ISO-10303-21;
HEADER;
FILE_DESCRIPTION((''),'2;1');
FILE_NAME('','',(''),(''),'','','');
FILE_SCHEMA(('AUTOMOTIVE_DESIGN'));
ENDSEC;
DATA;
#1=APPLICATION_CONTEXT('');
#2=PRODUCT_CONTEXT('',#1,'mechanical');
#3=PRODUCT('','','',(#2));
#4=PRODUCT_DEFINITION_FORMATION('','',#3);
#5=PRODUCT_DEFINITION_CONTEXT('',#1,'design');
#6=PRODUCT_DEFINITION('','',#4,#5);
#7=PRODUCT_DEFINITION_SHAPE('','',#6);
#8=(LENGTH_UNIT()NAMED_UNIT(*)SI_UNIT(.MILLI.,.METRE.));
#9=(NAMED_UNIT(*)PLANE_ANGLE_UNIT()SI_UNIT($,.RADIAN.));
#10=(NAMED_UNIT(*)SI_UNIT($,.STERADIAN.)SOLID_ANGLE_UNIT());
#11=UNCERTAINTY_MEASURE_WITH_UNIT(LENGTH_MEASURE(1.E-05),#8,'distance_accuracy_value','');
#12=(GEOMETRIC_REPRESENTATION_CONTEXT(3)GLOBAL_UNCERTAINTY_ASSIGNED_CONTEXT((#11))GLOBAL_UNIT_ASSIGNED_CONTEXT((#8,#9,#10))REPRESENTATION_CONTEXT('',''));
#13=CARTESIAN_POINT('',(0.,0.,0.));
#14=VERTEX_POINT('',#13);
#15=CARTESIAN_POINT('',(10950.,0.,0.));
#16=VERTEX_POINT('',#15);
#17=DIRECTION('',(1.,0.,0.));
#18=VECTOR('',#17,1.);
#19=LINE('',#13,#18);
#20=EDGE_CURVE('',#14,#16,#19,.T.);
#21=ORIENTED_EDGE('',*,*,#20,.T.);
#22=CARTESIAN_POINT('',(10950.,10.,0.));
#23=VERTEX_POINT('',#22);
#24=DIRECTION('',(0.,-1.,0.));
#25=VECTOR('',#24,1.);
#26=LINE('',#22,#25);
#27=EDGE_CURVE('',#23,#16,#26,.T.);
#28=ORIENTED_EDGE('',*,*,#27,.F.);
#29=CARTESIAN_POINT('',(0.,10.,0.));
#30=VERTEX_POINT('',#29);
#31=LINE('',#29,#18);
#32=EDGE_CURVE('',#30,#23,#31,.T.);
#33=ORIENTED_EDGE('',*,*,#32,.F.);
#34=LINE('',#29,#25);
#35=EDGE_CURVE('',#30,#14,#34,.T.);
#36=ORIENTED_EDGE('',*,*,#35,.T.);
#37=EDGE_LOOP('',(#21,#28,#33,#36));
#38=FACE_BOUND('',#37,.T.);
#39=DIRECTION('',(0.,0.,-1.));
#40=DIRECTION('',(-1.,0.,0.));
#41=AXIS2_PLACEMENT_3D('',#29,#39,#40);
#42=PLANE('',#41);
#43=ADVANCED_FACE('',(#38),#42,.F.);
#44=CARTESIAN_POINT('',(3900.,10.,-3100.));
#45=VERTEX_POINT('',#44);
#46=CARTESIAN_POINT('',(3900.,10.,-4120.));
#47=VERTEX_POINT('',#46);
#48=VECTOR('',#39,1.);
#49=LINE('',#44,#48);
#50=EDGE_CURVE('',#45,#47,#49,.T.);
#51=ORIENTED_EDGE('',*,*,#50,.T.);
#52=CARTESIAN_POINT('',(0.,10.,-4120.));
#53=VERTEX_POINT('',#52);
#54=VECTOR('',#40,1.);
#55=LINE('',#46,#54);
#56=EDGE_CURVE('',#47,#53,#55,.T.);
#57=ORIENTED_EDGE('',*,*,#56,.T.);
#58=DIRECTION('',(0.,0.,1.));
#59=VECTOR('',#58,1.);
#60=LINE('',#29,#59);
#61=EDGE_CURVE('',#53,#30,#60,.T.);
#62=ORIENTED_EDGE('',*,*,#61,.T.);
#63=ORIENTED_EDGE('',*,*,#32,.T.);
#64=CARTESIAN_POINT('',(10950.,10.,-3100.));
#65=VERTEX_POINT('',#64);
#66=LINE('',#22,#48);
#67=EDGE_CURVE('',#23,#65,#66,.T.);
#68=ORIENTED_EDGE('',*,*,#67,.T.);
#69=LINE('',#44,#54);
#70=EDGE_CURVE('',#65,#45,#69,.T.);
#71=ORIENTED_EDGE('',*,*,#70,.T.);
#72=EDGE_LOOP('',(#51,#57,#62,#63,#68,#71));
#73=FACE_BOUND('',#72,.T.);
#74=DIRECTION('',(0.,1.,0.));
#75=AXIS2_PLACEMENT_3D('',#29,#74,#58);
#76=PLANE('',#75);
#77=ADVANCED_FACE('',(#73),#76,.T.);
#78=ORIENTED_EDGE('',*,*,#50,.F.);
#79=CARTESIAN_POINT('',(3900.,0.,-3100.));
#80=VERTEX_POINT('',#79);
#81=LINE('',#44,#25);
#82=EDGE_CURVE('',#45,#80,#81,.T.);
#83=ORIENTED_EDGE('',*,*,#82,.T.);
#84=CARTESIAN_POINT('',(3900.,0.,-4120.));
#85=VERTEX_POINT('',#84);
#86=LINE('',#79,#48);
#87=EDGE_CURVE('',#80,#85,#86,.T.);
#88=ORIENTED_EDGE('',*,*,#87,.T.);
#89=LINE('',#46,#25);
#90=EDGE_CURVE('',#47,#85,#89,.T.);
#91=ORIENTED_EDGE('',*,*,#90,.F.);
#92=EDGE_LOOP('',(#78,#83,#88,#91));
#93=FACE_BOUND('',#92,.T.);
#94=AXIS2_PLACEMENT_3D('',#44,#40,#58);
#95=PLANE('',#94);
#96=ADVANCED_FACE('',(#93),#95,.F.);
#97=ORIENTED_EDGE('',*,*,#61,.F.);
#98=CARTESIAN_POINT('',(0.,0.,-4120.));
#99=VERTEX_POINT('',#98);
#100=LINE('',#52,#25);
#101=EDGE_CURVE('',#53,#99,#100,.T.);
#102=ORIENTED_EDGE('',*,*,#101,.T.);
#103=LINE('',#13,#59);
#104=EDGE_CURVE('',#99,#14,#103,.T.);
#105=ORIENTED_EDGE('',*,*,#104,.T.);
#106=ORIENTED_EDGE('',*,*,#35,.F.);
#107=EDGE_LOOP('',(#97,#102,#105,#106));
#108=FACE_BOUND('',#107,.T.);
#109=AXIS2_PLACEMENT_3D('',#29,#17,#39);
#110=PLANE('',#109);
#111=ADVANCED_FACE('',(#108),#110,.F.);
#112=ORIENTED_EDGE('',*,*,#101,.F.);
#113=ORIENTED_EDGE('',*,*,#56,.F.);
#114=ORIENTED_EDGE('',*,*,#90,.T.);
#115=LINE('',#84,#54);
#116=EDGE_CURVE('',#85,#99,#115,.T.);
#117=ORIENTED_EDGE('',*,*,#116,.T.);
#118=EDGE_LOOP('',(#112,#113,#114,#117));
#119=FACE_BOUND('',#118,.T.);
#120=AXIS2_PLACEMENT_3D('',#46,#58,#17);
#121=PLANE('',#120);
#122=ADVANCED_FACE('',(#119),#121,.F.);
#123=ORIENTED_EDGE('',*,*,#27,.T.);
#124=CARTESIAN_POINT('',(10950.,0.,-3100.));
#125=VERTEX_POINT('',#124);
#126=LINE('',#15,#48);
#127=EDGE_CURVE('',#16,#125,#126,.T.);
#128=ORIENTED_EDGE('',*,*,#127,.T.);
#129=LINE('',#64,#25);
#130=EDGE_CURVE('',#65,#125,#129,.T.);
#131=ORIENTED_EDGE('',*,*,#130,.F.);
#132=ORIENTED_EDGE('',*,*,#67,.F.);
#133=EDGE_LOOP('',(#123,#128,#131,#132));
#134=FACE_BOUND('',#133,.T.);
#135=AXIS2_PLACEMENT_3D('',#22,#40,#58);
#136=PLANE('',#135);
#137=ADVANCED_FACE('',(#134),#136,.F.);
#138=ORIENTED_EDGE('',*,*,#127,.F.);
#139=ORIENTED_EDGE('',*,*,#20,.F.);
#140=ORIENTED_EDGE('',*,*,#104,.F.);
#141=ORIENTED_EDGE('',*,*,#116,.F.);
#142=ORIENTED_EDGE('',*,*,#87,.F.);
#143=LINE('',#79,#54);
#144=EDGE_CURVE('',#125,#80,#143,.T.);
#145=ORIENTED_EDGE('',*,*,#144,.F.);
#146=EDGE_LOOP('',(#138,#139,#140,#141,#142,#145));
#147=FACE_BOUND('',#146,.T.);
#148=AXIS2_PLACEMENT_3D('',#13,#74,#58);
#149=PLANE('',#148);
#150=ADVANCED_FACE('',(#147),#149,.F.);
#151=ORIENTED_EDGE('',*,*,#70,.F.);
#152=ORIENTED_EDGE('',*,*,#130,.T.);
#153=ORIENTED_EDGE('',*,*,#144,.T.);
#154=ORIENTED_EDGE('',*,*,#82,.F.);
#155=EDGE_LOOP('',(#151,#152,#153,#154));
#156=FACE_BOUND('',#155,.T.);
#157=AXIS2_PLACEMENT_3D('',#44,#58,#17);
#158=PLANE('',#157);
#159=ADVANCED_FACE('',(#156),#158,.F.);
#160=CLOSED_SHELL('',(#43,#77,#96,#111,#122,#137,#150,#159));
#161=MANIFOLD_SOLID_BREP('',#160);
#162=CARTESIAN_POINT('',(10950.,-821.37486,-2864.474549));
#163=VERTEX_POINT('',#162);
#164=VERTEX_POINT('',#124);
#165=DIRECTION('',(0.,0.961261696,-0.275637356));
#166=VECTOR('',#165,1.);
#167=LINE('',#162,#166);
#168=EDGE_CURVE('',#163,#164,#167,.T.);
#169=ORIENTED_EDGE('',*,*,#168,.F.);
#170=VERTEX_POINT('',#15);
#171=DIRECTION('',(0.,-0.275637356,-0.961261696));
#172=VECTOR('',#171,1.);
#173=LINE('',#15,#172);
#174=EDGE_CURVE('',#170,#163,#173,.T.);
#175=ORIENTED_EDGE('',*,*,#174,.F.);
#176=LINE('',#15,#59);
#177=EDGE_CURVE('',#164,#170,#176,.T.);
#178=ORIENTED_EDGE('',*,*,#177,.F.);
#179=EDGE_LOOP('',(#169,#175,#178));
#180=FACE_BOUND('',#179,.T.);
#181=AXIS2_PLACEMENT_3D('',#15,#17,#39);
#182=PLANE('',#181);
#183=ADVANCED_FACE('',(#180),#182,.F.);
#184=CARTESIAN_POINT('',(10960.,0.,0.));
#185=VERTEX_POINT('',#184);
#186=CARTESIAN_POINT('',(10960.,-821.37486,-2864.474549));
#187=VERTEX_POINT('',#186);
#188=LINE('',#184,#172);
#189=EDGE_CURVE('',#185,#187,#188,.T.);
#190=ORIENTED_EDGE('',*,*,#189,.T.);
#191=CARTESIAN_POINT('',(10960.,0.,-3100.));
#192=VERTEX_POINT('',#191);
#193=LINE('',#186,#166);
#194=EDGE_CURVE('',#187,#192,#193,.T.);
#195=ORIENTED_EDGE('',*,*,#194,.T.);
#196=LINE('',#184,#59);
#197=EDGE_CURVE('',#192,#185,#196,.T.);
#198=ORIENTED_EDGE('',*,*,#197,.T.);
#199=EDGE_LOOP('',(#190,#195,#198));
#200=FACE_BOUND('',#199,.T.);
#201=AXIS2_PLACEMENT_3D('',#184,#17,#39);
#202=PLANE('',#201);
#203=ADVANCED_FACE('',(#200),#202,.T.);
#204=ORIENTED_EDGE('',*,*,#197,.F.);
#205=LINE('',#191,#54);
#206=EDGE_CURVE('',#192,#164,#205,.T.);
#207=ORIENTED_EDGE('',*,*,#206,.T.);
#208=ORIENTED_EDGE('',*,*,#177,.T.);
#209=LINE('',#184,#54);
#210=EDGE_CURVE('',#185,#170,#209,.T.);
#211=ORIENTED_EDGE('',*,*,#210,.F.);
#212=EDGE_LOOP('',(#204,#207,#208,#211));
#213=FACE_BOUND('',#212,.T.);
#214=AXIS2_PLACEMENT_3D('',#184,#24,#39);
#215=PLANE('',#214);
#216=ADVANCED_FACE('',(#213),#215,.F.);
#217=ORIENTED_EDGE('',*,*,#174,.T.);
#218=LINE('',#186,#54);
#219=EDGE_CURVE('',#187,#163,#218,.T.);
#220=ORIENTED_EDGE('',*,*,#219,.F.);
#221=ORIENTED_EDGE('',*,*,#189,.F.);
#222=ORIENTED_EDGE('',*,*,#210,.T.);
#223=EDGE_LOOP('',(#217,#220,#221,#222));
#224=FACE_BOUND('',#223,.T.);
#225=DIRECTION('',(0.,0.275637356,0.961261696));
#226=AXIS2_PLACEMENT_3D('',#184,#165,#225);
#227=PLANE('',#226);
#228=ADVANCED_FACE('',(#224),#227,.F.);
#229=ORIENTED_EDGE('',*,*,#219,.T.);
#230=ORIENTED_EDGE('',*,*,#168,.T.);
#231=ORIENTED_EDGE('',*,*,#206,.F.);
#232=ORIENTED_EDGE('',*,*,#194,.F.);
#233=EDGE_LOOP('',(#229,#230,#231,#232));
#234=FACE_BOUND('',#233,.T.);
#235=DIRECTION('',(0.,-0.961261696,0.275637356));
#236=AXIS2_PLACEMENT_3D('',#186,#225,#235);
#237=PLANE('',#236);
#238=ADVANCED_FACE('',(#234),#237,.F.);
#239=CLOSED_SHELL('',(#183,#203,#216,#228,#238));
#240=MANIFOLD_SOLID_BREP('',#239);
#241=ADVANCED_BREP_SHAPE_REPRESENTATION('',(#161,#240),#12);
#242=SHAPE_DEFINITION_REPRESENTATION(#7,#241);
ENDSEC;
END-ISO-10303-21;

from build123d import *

# Parameters (mm, degrees)
EXTRUDE_1_DEPTH = 10
EXTRUDE_2_DEPTH = 10


with BuildPart() as part:
    # Эскиз1 → Бобышка-Вытянуть1 (new body)
    with BuildSketch(Plane(origin=(0, 0, 0), x_dir=(1, 0, 0), z_dir=(0, 1, 0))):
        Polygon((0, 0), (10950, 0), (10950, 3100), (3900, 3100), (3900, 4120), (0, 4120), align=None)
    extrude(amount=EXTRUDE_1_DEPTH)


with BuildPart() as body_2:
    # Эскиз2 → Бобышка-Вытянуть2 (new body)
    with BuildSketch(Plane(origin=(10950, 0, 0), x_dir=(0, 0, -1), z_dir=(1, 0, 0))):
        Polygon((0, 0), (2864.474549042, -821.374859561), (3100, 0), align=None)
    extrude(amount=EXTRUDE_2_DEPTH)


solid = Compound([part.part, body_2.part])
